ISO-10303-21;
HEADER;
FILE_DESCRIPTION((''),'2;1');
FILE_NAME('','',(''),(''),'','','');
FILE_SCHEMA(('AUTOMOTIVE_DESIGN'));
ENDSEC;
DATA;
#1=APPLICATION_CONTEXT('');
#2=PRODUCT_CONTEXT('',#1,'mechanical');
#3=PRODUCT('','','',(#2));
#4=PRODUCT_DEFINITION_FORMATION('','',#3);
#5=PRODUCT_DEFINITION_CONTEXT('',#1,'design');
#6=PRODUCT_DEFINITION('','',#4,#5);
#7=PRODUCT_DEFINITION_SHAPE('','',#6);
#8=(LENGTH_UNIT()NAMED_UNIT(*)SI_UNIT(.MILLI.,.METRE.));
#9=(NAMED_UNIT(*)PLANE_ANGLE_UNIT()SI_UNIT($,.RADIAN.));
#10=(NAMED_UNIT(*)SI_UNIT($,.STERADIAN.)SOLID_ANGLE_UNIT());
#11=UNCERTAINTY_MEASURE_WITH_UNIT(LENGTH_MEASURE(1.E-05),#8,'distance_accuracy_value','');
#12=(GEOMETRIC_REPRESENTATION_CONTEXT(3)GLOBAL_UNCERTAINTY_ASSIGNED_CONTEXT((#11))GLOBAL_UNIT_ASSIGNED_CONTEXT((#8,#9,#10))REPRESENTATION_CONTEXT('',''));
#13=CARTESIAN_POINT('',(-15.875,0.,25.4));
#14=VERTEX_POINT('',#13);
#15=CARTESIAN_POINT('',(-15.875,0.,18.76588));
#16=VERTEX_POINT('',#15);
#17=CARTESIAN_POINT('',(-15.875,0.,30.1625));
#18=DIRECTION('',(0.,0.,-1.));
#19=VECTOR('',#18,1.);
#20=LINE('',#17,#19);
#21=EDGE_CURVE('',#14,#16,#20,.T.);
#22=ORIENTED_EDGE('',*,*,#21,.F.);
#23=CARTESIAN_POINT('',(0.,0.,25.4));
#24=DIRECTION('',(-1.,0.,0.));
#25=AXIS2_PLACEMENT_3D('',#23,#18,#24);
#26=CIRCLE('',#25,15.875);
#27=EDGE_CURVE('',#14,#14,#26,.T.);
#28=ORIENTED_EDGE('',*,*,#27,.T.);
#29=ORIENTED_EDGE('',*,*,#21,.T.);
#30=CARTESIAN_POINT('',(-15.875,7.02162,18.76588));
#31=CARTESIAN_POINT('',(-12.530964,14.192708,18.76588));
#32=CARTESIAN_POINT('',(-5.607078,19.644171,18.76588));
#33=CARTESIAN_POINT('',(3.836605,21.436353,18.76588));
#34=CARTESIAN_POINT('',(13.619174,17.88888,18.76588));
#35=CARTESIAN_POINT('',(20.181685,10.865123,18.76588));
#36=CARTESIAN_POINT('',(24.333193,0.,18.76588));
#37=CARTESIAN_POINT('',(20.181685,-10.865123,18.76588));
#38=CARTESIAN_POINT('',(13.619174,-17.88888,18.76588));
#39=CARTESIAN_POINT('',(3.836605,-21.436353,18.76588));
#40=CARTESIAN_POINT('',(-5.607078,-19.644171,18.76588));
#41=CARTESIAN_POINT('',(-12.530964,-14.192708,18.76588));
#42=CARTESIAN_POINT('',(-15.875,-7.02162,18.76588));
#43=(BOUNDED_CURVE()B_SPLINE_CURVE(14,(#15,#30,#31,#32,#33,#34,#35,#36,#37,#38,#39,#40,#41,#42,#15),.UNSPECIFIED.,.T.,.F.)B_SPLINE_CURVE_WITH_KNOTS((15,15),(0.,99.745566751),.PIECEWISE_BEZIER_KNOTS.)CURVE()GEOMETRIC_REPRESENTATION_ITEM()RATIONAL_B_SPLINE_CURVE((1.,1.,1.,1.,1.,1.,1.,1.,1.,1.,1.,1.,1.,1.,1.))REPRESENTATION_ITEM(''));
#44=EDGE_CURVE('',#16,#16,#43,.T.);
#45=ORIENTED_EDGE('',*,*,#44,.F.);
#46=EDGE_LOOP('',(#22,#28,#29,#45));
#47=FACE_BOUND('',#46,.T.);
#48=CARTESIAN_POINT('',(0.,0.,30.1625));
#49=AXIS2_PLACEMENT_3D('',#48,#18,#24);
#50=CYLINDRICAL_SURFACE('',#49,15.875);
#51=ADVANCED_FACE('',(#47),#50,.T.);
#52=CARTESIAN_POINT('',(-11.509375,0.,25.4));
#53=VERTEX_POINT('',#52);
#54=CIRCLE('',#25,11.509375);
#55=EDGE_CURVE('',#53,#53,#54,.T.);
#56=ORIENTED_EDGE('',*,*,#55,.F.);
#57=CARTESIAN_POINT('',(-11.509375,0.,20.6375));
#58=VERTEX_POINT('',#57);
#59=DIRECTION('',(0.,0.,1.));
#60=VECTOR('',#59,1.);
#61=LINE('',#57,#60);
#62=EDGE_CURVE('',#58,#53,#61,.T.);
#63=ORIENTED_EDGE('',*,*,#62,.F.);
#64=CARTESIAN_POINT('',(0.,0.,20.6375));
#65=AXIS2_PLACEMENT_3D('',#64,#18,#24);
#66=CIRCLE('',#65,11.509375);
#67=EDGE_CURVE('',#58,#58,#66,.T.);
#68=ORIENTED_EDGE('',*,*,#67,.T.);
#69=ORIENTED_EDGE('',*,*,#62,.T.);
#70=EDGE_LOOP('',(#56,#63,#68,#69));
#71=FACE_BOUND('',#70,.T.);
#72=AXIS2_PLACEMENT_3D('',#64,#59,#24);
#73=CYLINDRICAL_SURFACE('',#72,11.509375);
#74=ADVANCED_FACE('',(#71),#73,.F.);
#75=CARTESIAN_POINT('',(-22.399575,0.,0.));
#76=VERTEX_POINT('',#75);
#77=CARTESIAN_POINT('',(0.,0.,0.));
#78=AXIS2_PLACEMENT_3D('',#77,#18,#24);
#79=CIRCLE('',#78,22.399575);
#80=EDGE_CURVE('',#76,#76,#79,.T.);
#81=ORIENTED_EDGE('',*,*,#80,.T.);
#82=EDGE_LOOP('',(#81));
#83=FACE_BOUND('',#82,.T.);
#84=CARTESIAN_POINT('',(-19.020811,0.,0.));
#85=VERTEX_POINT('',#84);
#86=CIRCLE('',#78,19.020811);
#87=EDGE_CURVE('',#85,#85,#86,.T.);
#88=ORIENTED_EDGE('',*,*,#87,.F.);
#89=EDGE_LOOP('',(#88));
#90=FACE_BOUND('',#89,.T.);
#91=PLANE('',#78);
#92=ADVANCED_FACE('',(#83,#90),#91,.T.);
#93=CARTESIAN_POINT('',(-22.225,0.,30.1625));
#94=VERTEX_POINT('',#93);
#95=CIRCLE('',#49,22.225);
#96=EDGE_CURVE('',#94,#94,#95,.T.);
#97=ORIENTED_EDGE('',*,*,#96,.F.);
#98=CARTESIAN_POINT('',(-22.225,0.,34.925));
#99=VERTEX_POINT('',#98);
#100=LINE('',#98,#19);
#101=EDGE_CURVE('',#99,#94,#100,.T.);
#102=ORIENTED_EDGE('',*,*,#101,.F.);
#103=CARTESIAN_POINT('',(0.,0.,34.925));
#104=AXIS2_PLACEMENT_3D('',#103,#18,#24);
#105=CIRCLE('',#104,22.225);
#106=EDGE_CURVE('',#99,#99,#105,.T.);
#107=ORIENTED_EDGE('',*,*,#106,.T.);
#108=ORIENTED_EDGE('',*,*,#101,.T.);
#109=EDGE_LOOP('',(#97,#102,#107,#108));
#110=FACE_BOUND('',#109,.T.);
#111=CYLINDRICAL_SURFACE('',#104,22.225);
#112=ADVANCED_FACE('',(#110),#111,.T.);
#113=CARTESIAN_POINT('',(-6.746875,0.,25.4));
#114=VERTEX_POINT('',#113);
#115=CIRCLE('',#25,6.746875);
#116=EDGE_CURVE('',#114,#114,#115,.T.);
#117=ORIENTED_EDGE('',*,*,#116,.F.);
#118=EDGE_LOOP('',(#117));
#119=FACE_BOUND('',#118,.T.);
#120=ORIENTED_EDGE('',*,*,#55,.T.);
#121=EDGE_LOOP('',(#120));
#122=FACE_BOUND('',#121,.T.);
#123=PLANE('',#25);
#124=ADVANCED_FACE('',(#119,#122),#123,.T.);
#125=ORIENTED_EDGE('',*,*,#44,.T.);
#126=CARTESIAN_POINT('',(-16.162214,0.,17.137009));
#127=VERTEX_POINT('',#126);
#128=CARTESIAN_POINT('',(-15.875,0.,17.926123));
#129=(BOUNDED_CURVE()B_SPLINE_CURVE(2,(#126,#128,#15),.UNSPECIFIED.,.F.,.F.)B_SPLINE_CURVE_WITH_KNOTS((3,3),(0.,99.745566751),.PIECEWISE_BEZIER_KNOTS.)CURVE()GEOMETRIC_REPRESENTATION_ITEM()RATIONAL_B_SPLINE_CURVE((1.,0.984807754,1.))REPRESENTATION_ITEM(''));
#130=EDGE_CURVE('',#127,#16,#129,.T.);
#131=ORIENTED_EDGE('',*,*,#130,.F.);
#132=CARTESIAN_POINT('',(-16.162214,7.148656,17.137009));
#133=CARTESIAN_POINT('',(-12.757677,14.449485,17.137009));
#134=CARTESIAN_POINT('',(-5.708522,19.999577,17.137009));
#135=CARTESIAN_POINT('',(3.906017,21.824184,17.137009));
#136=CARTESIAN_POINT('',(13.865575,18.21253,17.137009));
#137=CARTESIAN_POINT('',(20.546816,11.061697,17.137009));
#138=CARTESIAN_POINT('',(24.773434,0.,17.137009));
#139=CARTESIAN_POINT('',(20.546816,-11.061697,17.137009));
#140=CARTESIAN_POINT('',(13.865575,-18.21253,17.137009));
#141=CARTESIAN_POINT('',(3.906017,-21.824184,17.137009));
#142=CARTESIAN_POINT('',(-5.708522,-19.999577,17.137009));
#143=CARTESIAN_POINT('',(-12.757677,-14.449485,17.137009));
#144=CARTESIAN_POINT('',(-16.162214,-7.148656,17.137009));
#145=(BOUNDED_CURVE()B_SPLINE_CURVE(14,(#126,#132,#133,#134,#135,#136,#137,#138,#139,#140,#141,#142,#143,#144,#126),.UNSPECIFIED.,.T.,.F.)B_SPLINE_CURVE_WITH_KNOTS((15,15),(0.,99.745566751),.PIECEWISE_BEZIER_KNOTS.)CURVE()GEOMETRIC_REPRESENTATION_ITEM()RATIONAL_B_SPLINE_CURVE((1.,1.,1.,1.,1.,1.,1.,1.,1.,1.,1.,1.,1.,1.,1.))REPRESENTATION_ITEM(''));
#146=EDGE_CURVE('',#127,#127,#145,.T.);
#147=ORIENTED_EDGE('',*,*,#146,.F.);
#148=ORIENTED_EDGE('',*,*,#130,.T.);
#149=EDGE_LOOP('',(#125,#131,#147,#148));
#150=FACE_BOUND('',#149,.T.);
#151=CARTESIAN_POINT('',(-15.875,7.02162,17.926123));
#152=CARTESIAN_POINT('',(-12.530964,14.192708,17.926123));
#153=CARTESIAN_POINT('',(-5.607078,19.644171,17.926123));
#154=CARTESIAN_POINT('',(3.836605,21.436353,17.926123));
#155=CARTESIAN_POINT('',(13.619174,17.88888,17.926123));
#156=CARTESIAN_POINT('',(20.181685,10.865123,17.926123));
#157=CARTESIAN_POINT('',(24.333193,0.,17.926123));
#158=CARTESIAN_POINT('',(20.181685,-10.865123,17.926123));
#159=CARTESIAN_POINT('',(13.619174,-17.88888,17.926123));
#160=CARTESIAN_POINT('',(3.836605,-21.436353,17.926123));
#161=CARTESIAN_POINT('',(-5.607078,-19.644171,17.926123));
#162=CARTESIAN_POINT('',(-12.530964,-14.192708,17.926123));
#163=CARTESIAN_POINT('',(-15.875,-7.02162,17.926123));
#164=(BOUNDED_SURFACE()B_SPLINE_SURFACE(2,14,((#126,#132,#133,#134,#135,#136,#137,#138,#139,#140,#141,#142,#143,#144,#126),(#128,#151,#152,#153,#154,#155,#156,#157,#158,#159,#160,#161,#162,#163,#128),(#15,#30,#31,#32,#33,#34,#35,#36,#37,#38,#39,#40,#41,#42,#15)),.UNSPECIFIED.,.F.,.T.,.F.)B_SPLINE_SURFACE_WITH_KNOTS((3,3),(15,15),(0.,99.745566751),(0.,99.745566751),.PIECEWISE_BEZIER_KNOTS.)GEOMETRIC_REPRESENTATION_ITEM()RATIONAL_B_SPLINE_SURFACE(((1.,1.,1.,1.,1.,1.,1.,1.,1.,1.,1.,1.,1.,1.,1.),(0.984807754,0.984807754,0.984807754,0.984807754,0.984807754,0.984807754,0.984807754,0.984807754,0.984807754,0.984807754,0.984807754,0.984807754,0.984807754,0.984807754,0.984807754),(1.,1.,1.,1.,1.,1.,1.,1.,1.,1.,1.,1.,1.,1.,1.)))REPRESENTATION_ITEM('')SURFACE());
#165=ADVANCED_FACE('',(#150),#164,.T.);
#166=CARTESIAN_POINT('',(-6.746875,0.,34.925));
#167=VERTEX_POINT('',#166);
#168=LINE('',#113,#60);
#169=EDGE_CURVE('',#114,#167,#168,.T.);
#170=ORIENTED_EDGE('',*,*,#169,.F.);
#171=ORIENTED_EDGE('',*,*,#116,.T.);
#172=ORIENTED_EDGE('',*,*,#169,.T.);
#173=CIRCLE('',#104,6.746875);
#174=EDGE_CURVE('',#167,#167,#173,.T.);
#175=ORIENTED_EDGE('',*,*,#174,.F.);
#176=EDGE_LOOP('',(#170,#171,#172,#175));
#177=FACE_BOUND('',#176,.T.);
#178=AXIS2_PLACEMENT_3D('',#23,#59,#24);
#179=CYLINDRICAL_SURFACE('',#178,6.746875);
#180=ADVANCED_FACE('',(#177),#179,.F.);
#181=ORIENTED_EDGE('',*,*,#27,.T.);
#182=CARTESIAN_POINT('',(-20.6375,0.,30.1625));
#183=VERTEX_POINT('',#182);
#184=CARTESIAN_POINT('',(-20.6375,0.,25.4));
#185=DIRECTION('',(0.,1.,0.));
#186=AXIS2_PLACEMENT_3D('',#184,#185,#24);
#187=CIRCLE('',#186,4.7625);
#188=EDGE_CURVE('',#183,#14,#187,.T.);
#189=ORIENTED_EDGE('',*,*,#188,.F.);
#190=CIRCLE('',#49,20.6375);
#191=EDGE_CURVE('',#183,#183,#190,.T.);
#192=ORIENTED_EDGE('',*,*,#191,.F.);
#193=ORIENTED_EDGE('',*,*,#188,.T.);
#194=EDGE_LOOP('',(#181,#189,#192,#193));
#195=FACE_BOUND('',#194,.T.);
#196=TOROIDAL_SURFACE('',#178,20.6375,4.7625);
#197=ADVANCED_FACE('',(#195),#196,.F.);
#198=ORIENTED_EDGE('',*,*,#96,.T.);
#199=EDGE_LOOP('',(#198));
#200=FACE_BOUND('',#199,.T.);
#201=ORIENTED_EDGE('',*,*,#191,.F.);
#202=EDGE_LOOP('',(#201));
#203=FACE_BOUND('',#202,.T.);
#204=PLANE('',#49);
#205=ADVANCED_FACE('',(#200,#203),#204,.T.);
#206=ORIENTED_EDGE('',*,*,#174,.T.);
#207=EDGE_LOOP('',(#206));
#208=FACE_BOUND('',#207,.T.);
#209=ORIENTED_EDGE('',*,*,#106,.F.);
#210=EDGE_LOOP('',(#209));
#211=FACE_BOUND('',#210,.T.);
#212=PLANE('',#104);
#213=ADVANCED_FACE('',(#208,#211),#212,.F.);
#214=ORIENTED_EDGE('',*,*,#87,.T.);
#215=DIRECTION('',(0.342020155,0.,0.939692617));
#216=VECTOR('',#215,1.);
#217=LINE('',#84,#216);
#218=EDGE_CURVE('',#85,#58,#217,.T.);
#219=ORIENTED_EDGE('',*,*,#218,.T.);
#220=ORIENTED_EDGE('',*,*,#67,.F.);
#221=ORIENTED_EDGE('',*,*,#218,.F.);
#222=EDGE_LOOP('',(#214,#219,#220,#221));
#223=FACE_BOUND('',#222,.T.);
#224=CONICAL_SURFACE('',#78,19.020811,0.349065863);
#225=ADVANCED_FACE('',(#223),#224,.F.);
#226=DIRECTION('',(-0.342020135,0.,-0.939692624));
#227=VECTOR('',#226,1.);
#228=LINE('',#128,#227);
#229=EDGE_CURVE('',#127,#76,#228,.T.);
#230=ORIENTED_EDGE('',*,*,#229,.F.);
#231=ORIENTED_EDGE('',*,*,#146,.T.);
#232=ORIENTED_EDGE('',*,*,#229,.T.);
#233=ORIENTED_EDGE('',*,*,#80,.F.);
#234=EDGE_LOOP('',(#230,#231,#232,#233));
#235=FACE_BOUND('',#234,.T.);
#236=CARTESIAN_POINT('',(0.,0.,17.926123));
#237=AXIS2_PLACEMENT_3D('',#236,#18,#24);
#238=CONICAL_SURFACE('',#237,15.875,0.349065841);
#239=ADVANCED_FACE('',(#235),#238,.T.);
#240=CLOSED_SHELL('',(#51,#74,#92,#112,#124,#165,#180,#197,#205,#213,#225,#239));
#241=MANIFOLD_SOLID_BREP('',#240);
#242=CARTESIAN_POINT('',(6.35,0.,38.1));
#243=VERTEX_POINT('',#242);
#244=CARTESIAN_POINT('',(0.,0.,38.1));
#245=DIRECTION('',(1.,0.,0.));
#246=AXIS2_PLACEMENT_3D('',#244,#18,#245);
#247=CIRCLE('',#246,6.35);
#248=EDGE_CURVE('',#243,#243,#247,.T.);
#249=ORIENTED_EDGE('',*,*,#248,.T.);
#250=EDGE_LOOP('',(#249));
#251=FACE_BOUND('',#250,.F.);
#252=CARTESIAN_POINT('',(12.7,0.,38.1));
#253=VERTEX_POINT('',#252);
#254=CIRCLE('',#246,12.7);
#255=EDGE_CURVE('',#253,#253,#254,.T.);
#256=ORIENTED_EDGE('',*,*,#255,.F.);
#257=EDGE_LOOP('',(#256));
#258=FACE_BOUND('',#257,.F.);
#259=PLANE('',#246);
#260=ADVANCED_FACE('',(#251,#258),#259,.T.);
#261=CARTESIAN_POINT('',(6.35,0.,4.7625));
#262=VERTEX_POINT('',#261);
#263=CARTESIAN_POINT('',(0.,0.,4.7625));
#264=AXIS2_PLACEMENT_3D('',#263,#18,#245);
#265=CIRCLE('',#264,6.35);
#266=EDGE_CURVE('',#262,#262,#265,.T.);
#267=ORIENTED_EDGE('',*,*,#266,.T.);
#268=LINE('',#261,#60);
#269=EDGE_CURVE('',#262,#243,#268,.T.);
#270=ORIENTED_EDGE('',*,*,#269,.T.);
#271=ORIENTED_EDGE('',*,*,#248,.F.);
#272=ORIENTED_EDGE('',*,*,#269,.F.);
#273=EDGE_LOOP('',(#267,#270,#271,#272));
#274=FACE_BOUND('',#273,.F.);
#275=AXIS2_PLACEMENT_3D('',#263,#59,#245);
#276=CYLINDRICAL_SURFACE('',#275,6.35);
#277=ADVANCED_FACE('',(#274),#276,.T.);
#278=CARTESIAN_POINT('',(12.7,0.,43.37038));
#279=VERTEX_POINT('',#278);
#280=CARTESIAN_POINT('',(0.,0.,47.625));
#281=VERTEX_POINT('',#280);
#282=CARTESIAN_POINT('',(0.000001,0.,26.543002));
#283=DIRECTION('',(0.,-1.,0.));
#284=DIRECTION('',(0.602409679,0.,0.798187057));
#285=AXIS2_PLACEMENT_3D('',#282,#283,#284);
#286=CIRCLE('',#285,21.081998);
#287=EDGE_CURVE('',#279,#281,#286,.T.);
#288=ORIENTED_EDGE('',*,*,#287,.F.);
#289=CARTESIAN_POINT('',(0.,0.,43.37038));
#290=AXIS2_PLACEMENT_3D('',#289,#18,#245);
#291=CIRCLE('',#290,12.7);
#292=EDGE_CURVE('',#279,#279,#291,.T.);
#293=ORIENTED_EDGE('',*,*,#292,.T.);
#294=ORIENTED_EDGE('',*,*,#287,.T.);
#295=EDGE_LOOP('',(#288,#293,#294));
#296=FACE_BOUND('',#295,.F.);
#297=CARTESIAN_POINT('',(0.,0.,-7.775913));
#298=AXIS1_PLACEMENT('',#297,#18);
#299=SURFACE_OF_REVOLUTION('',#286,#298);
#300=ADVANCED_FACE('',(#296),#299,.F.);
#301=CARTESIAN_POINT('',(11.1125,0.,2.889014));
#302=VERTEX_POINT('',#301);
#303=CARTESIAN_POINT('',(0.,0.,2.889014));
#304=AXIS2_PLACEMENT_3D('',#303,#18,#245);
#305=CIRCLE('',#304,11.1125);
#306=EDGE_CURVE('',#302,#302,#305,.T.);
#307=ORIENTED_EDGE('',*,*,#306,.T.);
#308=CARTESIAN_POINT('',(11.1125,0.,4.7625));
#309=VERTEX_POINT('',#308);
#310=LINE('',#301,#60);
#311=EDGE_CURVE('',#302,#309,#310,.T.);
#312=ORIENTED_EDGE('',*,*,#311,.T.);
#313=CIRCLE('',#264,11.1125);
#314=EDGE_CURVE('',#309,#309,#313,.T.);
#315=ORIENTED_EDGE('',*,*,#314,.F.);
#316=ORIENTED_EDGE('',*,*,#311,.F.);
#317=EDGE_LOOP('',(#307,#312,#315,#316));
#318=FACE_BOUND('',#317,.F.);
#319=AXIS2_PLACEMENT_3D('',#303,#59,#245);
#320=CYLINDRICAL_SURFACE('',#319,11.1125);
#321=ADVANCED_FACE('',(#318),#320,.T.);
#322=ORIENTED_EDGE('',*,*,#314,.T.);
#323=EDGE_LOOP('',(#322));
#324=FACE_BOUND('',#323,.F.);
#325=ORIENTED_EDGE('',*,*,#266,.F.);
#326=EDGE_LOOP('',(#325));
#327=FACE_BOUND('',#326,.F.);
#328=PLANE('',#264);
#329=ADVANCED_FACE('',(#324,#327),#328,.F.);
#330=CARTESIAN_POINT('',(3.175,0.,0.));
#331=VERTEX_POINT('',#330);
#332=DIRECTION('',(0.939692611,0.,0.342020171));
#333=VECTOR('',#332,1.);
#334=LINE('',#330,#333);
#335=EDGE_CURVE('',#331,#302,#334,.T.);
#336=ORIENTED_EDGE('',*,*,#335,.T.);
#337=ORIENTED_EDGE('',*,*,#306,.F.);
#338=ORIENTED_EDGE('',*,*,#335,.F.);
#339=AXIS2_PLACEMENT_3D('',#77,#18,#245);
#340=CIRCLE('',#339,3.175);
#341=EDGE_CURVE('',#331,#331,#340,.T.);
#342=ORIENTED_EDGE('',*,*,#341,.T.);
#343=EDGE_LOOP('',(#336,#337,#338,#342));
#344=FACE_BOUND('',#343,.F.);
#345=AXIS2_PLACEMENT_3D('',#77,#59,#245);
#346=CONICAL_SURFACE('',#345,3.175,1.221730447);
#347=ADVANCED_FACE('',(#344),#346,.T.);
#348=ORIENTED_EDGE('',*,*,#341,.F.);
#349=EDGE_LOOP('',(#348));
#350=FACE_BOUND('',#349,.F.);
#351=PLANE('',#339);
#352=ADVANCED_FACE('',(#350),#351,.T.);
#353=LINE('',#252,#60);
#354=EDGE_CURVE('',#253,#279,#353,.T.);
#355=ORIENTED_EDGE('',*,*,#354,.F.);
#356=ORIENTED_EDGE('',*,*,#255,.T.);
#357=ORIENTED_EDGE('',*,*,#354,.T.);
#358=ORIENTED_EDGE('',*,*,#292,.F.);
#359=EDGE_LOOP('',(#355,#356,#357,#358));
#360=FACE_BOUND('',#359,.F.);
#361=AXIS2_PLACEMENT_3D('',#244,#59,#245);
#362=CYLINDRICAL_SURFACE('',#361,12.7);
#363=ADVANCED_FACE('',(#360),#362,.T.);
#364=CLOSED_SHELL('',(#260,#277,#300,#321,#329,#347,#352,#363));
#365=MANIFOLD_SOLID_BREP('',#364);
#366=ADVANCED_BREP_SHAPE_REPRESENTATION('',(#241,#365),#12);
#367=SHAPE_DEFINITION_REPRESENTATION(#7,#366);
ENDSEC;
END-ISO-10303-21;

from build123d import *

# Parameters (mm, degrees)
F2_R = 4.7625


with BuildPart() as f1:
    # F0 (on Front) → F1 (revolve)
    with BuildSketch(Plane.XZ):
        with BuildLine():
            Line((0, 47.625), (0, 0))
            Line((0, 0), (3.175, 0))
            Line((3.175, 0), (11.1125, 2.889014))
            Line((11.1125, 2.889014), (11.1125, 4.7625))
            Line((11.1125, 4.7625), (6.35, 4.7625))
            Line((6.35, 4.7625), (6.35, 38.1))
            Line((6.35, 38.1), (12.7, 38.1))
            Line((12.7, 38.1), (12.7, 43.37038))
            ThreePointArc((12.7, 43.37038), (6.696861, 46.533067), (0, 47.625))
        make_face()
        Polygon((-15.875, 17.926123), (-22.399575, 0), (-19.020811, 0), (-11.509375, 20.6375), (-11.509375, 25.4), (-6.746875, 25.4), (-6.746875, 34.925), (-22.225, 34.925), (-22.225, 30.1625), (-15.875, 30.1625), align=None)
    revolve(axis=Axis((0, 0, -7.775913), (0, 0, -1)))

    # F2
    f2_edges = [f1.edges().sort_by_distance(p)[0] for p in [
        (15.875, 0, 30.1625),
        (15.875, 0, 17.926123),
    ]]
    fillet(f2_edges, radius=F2_R)


solid = f1.part
